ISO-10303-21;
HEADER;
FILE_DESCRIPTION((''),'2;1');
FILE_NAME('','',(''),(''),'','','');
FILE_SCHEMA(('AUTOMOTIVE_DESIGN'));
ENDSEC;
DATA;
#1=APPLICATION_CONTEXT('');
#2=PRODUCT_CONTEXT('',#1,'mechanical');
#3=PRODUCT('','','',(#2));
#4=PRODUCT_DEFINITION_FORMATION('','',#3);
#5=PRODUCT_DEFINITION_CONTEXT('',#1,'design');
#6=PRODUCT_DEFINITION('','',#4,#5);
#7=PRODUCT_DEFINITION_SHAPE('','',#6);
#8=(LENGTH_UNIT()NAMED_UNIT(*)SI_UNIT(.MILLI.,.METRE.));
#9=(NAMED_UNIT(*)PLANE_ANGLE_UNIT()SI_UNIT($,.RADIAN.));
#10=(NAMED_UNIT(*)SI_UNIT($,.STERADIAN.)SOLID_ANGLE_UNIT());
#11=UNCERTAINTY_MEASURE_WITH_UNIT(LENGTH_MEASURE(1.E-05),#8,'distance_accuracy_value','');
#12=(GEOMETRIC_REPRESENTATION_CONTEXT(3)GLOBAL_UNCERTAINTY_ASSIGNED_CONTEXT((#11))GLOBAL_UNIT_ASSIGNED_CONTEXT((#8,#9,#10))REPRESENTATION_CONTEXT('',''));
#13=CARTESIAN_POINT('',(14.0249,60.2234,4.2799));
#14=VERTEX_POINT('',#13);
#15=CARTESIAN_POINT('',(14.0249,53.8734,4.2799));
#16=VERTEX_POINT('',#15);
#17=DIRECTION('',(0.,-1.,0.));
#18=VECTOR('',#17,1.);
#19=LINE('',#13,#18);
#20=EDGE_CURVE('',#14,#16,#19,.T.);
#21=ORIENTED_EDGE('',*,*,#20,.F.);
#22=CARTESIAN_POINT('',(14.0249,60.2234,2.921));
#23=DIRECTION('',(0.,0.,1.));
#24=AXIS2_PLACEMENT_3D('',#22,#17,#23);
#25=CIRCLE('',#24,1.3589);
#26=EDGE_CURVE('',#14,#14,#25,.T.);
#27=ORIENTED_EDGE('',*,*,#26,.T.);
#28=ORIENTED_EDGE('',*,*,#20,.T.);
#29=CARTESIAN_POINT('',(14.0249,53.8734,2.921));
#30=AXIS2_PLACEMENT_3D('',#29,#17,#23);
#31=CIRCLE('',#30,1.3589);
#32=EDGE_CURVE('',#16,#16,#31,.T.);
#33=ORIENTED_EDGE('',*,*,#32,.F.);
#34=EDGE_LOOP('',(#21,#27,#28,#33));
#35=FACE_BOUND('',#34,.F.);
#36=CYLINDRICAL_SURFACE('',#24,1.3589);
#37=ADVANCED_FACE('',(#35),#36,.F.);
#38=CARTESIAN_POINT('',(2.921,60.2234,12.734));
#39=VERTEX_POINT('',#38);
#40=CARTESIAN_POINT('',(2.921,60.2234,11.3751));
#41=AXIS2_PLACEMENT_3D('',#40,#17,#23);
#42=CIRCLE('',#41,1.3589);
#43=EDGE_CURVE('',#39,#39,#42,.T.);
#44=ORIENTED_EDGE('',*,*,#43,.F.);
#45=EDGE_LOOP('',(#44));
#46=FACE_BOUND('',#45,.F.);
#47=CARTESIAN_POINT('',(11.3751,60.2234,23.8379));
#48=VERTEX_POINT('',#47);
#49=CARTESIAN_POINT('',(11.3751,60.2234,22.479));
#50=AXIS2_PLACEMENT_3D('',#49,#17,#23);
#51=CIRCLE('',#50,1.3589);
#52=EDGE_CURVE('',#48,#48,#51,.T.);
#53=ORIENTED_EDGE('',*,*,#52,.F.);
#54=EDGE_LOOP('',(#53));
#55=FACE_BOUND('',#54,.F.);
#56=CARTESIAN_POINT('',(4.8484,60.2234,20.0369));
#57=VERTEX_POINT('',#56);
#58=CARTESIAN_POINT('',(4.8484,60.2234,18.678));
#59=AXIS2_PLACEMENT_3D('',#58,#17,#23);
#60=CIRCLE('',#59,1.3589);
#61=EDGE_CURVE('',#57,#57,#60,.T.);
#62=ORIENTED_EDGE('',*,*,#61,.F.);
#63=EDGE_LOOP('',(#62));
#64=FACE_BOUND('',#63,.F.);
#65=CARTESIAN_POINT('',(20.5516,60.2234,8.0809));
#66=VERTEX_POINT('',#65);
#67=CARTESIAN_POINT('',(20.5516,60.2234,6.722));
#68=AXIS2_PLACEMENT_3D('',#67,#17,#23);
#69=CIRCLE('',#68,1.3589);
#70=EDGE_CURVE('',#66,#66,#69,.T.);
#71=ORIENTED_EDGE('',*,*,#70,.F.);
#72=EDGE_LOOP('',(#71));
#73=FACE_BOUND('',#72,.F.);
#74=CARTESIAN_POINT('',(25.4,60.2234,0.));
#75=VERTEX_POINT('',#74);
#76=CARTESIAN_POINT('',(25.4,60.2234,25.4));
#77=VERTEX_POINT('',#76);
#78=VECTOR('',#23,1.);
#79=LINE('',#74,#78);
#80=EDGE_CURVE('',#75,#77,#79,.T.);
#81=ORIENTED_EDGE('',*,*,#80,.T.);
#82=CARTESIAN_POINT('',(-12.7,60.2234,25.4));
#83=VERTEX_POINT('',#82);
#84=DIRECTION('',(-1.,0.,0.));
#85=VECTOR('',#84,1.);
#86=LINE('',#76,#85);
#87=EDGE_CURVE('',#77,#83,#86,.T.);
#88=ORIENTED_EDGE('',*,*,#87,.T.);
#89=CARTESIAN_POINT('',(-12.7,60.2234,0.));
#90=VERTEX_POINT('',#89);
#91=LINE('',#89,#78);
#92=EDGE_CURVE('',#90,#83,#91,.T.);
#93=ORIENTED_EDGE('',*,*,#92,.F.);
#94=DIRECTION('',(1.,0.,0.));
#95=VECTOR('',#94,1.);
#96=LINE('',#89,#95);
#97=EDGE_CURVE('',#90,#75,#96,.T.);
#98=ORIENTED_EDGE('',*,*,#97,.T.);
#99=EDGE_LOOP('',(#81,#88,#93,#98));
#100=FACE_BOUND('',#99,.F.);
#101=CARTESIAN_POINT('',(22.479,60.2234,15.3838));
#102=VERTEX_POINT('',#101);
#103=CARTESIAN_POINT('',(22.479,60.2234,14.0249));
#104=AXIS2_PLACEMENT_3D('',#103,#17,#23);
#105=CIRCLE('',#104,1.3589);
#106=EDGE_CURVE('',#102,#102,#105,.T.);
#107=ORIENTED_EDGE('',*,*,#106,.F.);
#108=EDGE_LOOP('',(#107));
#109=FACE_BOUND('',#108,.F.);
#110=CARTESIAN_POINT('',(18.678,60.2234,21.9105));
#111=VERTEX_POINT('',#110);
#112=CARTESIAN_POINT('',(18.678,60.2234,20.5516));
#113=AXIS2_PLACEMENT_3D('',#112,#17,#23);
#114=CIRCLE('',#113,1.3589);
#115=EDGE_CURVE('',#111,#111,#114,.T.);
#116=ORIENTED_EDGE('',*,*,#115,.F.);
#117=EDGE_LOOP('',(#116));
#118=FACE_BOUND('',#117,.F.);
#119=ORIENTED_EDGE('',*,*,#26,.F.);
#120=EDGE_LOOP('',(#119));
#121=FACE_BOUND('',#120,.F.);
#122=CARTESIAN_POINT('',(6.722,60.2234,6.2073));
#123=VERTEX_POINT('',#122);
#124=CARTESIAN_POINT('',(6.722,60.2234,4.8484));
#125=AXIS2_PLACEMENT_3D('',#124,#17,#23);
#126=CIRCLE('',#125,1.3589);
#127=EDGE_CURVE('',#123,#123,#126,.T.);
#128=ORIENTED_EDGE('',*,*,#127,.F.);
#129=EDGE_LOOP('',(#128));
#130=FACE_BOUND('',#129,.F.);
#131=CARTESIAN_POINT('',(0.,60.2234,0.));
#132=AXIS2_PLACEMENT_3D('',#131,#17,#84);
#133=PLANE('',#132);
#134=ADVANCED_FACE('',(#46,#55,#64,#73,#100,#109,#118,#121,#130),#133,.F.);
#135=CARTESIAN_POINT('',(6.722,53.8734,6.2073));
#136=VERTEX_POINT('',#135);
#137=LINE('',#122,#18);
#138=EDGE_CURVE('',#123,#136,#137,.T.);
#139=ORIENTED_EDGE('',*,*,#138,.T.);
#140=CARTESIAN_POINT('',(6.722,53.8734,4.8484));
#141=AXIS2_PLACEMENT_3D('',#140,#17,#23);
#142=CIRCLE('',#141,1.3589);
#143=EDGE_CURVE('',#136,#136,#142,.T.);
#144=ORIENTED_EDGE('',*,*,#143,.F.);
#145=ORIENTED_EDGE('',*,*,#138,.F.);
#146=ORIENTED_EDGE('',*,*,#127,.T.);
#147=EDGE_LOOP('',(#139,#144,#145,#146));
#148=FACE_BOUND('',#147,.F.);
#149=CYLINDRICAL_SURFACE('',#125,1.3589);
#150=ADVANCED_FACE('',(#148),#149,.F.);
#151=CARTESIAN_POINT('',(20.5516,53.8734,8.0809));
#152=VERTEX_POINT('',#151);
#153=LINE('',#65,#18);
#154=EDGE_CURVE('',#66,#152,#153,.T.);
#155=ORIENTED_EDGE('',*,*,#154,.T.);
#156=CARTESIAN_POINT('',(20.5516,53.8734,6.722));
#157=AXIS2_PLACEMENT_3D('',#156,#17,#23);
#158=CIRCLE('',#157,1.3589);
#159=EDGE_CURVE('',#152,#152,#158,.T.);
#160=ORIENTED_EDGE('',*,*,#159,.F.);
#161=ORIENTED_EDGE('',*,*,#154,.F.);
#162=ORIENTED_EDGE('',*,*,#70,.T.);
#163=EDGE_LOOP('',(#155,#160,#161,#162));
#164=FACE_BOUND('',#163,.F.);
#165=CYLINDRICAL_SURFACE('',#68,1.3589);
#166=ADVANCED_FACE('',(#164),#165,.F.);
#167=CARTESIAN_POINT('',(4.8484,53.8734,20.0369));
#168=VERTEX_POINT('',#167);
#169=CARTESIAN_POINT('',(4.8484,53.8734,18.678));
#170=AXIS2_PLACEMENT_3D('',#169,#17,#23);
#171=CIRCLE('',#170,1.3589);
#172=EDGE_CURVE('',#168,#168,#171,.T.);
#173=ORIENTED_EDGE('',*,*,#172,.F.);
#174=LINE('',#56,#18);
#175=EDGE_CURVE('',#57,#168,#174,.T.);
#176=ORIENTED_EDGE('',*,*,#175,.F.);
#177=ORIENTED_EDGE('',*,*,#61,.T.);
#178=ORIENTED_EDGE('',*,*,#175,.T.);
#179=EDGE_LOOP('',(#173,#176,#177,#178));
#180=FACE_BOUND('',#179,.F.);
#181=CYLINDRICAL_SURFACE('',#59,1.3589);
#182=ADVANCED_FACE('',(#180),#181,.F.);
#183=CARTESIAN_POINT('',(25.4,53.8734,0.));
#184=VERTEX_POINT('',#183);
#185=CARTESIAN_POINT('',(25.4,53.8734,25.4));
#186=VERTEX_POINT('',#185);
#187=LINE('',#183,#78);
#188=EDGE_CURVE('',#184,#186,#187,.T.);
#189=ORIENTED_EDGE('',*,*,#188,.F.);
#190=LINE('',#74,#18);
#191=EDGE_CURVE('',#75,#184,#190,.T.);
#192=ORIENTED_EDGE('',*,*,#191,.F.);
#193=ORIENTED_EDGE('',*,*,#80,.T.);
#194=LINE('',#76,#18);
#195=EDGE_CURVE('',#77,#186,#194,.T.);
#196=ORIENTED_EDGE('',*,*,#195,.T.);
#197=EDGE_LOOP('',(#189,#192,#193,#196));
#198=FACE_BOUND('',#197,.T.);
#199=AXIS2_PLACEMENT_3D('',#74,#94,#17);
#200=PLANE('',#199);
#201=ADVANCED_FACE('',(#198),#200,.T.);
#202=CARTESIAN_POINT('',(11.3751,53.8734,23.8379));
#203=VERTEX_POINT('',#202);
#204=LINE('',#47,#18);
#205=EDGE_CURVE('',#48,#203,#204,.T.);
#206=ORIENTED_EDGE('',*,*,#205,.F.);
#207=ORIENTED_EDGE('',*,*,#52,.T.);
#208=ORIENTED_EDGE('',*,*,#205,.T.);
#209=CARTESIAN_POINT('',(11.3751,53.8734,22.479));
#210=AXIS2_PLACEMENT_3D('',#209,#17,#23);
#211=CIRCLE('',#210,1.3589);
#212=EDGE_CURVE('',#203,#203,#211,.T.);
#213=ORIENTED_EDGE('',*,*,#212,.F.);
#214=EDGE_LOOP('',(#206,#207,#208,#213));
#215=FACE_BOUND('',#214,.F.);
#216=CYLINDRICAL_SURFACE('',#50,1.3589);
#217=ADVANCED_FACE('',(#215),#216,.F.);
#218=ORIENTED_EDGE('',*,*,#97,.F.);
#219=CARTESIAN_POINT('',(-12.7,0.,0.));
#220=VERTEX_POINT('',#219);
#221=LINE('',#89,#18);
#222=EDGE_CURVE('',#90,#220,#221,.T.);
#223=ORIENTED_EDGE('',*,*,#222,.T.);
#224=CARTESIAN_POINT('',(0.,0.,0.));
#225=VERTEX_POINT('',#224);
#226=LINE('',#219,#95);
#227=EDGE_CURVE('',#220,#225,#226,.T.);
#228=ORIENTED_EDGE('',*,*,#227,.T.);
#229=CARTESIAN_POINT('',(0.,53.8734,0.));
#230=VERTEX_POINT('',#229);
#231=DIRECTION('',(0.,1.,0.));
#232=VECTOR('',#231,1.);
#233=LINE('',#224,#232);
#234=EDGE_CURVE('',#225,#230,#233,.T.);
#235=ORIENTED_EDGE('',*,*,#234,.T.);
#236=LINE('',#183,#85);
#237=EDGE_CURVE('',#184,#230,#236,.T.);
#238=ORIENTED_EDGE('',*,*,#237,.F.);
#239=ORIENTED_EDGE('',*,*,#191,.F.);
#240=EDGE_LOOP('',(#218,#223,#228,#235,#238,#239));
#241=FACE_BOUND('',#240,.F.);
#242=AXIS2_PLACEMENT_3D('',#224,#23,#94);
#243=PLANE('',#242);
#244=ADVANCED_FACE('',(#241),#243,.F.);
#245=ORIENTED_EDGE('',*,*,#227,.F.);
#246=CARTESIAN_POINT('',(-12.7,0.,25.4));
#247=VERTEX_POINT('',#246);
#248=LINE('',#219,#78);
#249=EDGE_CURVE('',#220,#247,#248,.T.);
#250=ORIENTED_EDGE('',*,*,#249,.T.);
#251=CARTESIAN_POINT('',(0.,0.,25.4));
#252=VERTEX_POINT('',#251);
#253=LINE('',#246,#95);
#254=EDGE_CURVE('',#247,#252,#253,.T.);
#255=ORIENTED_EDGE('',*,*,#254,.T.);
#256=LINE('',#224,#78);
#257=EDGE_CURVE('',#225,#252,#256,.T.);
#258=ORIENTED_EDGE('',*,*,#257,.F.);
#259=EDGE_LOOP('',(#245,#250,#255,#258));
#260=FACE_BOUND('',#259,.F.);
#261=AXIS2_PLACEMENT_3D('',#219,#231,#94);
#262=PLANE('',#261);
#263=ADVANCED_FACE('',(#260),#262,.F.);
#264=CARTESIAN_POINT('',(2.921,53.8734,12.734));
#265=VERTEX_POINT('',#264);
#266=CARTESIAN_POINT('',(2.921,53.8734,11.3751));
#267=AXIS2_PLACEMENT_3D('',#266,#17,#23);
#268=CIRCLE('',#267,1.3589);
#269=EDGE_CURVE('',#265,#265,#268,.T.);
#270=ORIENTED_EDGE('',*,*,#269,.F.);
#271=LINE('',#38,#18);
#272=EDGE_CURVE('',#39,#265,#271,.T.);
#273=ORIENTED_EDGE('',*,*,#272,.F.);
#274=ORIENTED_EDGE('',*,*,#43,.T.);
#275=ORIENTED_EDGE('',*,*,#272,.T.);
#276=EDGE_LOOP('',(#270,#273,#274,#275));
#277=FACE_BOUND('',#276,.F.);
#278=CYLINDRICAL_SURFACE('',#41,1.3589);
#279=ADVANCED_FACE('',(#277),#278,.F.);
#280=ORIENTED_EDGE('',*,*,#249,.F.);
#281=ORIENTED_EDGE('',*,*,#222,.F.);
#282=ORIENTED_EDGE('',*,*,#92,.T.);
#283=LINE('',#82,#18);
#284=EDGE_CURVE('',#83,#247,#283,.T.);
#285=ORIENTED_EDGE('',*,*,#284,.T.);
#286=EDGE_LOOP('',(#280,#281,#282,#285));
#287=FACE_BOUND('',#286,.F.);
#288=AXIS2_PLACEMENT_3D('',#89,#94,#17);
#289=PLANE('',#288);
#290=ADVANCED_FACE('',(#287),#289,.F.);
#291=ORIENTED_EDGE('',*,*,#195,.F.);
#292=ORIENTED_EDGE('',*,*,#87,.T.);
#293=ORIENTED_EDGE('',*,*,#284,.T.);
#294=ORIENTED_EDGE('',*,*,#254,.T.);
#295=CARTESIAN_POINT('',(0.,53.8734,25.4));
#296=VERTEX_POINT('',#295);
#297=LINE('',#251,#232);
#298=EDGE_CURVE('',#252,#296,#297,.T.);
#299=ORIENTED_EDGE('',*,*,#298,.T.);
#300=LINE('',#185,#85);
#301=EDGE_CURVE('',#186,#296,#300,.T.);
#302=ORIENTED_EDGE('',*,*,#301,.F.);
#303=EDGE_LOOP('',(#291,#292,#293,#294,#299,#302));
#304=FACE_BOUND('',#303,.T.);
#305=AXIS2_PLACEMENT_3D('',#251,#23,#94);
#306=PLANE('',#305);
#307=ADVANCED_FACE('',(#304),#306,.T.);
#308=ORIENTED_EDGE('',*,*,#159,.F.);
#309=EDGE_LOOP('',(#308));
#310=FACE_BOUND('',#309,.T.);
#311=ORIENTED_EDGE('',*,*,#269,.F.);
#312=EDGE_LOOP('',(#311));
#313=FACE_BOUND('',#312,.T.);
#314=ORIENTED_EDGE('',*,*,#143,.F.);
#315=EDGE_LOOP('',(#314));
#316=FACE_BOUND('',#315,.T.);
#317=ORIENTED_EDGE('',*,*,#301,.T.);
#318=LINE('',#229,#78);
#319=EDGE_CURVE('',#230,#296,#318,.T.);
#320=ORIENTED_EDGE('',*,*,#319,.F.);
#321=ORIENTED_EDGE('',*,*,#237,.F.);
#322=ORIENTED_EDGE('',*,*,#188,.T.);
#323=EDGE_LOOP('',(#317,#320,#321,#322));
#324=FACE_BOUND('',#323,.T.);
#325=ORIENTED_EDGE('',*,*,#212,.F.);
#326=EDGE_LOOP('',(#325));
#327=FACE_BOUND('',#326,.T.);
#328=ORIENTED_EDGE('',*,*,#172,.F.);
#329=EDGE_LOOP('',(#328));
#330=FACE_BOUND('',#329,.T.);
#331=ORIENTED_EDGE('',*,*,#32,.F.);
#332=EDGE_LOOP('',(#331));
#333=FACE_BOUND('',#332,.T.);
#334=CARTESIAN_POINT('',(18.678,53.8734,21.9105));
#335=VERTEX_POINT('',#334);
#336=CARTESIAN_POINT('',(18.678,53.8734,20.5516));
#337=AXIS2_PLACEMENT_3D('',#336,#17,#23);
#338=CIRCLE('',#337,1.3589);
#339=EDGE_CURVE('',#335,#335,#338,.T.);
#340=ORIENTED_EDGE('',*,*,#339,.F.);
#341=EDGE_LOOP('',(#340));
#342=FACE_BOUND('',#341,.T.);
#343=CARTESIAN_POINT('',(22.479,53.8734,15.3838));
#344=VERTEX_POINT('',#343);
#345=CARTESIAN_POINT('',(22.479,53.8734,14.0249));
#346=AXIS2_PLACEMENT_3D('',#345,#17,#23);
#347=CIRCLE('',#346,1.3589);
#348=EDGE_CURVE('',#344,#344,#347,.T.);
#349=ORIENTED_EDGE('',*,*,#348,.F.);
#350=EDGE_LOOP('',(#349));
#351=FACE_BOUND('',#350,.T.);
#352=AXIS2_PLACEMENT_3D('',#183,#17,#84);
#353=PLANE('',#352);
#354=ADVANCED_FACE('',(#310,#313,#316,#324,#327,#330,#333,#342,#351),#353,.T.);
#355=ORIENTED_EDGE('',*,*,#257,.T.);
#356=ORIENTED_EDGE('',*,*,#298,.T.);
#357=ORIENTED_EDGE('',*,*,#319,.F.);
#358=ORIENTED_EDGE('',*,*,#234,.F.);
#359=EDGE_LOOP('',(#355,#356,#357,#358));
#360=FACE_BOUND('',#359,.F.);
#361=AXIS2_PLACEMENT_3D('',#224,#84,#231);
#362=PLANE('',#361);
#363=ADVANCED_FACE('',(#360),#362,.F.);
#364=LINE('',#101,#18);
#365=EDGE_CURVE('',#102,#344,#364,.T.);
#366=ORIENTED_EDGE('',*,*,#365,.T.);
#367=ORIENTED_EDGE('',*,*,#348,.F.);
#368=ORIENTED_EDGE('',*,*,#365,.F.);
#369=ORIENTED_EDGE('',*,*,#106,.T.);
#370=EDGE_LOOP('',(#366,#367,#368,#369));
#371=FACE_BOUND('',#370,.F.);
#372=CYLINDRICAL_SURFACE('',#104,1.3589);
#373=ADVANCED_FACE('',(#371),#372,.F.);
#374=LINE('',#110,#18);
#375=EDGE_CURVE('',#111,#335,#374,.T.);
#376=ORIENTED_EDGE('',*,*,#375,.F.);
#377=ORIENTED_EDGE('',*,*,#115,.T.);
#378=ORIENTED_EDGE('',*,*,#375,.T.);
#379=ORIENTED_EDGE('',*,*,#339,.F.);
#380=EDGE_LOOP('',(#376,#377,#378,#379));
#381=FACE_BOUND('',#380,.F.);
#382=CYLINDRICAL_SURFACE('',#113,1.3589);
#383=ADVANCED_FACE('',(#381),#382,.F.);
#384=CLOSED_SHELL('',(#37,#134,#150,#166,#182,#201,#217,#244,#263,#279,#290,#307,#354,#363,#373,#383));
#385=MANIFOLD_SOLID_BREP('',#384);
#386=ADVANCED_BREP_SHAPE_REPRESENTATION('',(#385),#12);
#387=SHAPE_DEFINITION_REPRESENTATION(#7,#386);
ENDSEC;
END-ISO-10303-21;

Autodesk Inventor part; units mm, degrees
ref_plane "YZ Plane" through (0, 0, 0) normal (1, 0, 0) x (0, 1, 0)
ref_plane "XZ Plane" through (0, 0, 0) normal (0, 1, 0) x (-1, 0, 0)
ref_plane "XY Plane" through (0, 0, 0) normal (0, 0, 1) x (1, 0, 0)
sketch "Sketch4" plane through (0, 0, 0) normal (0, 0, 1) x (1, 0, 0)
  line L0 (0, 0) -> (0, 60.2234)
  line L1 (0, 60.2234) -> (25.4, 60.2234)
  line L2 (25.4, 60.2234) -> (25.4, 53.8734)
  line L3 (25.4, 53.8734) -> (0, 53.8734)
  line L4 (0, 60.2234) -> (-12.7, 60.2234)
  line L5 (-12.7, 60.2234) -> (-12.7, 0)
  line L6 (-12.7, 0) -> (0, 0)
  dimension "d25" = 60.2234
  dimension "d26" = 6.35
  dimension "d27" = 25.4
  dimension "d28" = 12.7
extrude "Extrusion3" add sketch "Sketch4" along normal blind 25.4
sketch "Sketch5" plane through (-12.7, 60.2234, 0) normal (0, 1, 0) x (1, 0, 0)
  line L0 (38.1, 0) -> (38.1, -25.4) projected
  line L1 (38.1, -25.4) -> (0, -25.4) projected
  point P0 (25.4, -12.7)
  point P1 (15.621, -11.3751)
  point P2 (17.5484, -18.678)
  point P3 (24.0751, -22.479)
  point P4 (31.378, -20.5516)
  point P5 (35.179, -14.0249)
  point P6 (33.2516, -6.722)
  point P7 (26.7249, -2.921)
  point P8 (19.422, -4.8484)
  dimension "d36" = 360
  dimension "d45" = 9.779
  dimension "d46" = 12.7
  dimension "d47" = 12.7
hole "Hole2" at (2.921, 60.2234, 11.3751) at (4.8484, 60.2234, 18.678) at (11.3751, 60.2234, 22.479) at (18.678, 60.2234, 20.5516) at (22.479, 60.2234, 14.0249) at (20.5516, 60.2234, 6.722) at (14.0249, 60.2234, 2.921) at (6.722, 60.2234, 4.8484) direction (0, -1, 0) diameter 2.7178 end through all
properties part number "wheel arm stand off"
